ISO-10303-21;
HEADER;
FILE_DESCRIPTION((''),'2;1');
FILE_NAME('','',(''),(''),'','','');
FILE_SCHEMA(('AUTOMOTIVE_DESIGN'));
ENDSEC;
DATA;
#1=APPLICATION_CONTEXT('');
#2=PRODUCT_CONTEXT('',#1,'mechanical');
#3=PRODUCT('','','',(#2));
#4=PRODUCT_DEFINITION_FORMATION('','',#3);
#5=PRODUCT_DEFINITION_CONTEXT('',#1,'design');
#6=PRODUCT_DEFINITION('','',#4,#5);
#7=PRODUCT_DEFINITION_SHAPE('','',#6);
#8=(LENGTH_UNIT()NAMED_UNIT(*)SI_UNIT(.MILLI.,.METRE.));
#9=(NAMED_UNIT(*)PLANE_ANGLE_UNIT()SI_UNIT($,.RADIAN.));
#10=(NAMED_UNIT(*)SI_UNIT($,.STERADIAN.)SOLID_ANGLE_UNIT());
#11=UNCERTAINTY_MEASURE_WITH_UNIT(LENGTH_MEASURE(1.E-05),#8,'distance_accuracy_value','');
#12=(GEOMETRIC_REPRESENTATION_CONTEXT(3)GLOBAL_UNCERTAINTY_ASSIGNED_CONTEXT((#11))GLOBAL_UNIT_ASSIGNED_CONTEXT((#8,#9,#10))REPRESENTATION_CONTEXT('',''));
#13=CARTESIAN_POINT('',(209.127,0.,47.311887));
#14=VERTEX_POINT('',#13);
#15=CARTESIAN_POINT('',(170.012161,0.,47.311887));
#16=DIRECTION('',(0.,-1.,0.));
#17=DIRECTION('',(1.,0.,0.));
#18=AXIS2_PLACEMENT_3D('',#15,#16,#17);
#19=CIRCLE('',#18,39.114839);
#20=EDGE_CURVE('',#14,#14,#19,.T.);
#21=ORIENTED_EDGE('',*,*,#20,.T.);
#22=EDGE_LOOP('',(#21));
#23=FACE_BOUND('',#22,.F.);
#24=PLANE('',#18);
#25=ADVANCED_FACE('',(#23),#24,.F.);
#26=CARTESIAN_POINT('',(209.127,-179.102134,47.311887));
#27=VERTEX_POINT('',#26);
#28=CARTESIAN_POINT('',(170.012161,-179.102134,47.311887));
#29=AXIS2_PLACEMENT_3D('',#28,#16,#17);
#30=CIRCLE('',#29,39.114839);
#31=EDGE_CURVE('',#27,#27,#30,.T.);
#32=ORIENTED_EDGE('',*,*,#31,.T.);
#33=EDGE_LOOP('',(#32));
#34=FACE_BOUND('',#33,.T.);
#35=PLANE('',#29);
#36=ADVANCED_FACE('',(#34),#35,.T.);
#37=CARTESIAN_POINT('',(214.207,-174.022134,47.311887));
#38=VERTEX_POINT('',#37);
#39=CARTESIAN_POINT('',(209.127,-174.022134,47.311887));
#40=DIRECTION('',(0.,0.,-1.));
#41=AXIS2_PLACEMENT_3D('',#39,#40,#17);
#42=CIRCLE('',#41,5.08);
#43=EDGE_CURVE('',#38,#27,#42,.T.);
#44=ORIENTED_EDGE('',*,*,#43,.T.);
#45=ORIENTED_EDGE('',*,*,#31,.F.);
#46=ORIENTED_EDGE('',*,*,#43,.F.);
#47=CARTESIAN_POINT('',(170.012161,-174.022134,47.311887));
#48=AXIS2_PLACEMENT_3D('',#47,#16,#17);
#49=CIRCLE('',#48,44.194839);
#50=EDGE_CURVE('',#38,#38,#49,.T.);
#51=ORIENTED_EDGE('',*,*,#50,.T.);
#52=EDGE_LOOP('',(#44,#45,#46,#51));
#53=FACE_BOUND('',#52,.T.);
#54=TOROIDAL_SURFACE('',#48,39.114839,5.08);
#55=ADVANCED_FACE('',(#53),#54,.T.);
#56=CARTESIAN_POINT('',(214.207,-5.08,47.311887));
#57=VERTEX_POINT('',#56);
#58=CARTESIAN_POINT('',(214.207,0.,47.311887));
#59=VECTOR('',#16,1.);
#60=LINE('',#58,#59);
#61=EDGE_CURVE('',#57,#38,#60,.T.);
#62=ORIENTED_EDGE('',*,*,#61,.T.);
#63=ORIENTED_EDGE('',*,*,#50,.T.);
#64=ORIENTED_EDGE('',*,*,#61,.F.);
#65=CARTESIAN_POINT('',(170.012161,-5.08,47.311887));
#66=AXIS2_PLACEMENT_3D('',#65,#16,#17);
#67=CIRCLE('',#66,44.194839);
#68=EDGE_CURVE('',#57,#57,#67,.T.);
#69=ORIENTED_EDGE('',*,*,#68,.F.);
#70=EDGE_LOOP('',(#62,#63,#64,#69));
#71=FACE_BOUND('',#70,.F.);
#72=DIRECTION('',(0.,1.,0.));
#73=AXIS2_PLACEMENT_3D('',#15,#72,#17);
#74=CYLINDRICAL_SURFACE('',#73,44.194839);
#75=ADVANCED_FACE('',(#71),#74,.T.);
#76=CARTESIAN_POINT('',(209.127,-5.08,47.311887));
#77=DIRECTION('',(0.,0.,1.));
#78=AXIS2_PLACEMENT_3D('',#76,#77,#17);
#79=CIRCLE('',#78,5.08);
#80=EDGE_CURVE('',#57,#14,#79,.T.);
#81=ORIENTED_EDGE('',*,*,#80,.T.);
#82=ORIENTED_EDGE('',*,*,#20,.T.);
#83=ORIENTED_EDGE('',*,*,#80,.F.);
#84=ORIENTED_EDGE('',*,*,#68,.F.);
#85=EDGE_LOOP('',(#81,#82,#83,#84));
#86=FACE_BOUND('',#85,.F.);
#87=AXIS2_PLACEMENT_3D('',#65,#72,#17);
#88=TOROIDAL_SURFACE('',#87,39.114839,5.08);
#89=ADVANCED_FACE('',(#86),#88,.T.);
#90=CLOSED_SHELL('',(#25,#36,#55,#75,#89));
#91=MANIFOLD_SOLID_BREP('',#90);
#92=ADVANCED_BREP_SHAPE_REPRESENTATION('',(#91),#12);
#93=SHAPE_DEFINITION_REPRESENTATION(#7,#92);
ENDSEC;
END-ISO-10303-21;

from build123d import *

# Parameters (mm, degrees)
F0_R     = 44.194839
F1_DEPTH = 179.102134
F2_R     = 5.08


with BuildPart() as f1:
    # F0 (on Front) → F1 (new body)
    with BuildSketch(Plane.XZ):
        with Locations((170.012161, 47.311887)):
            Circle(F0_R)
    extrude(amount=F1_DEPTH)

    # F2
    f2_edges = [f1.edges().sort_by_distance(p)[0] for p in [
        (214.207, -89.551067, 47.311887),
        (125.817322, 0, 47.311887),
        (125.817322, -179.102134, 47.311887),
    ]]
    fillet(f2_edges, radius=F2_R)


solid = f1.part
